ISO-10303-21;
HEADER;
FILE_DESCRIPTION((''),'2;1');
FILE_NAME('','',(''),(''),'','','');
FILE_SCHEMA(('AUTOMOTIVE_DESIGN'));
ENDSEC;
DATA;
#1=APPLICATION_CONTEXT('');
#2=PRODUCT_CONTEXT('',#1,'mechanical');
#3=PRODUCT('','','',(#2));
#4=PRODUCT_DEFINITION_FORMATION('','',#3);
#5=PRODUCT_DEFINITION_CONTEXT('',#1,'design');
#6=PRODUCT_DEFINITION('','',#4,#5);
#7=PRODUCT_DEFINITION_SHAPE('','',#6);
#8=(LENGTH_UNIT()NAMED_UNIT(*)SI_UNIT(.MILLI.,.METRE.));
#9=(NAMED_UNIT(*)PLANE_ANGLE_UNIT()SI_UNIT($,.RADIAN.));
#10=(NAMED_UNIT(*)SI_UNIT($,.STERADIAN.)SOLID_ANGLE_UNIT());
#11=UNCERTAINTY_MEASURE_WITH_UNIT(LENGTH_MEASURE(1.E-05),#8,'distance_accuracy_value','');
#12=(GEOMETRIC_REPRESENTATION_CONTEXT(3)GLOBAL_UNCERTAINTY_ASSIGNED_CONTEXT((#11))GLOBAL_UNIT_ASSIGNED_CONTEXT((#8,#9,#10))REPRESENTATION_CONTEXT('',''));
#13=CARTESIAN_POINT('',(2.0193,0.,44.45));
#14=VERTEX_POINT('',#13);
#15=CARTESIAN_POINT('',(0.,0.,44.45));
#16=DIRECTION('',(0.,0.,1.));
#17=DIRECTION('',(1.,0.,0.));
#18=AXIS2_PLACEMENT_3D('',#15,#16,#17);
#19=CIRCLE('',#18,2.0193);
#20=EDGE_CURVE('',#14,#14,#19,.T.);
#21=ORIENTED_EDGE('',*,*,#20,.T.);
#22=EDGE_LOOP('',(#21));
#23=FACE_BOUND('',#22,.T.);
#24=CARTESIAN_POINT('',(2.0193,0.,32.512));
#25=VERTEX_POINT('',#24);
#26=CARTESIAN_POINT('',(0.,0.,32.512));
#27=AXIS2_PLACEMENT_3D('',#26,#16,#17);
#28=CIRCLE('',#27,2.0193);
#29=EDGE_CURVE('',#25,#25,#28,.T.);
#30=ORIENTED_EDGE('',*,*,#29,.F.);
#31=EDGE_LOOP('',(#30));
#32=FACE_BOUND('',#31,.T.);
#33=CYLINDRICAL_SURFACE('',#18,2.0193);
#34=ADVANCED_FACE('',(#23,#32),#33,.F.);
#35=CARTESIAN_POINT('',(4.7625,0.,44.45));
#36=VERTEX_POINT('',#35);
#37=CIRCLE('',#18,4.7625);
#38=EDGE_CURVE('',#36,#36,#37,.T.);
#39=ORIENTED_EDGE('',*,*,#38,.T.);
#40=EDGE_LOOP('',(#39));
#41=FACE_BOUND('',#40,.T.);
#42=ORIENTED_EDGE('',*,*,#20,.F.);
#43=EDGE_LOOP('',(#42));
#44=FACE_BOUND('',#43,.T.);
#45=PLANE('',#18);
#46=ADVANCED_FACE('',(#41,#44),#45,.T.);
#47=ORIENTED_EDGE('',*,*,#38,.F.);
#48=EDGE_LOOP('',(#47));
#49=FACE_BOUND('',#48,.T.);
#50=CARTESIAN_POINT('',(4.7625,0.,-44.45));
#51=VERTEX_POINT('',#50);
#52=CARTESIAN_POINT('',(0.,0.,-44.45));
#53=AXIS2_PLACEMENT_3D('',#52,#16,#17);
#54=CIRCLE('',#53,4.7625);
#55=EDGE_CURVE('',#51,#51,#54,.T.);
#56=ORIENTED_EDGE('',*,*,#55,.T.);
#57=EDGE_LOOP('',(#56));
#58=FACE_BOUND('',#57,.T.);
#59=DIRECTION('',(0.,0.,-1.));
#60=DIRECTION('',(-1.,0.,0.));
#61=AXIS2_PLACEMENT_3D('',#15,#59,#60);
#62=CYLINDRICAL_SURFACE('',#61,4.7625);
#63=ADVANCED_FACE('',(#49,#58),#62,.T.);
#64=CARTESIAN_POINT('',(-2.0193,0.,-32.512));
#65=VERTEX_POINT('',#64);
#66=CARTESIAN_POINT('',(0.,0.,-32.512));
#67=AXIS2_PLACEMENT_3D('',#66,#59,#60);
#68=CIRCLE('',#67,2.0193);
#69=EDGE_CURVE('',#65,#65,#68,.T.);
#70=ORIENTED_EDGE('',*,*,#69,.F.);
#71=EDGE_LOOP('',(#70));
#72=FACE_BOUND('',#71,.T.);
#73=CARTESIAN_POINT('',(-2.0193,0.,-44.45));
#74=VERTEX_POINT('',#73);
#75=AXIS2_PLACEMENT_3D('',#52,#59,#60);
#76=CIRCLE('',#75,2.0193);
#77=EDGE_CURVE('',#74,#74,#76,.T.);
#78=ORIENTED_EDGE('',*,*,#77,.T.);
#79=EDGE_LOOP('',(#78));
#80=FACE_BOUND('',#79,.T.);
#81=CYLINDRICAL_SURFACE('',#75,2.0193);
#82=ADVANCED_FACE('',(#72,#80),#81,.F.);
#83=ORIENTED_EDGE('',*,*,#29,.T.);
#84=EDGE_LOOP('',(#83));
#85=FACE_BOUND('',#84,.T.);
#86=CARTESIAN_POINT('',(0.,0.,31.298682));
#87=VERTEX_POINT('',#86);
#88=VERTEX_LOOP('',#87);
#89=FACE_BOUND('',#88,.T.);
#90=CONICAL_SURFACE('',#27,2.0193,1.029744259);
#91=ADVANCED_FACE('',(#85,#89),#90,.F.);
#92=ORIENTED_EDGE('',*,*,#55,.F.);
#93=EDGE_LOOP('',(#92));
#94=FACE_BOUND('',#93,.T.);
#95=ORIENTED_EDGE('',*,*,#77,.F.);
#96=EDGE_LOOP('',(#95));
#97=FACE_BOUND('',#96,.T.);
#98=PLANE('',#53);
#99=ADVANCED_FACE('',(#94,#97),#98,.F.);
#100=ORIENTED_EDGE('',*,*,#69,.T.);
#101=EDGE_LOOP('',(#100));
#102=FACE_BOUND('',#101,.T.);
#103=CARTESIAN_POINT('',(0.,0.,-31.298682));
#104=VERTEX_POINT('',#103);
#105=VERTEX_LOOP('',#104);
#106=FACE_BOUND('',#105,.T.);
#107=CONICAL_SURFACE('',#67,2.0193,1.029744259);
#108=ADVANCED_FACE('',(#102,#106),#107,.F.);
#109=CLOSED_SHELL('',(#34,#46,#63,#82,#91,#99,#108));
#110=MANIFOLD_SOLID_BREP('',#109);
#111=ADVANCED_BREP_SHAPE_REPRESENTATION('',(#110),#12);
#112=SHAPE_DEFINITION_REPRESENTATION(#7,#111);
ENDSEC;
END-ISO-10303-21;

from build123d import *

# Parameters (mm, degrees)
SKETCH1_R                            = 4.7625
BOSS_EXTRUDE1_DEPTH                  = 44.45
F_10_32_TAPPED_HOLE1_D               = 4.0386
F_10_32_TAPPED_HOLE1_DEPTH           = 11.938
F_10_32_TAPPED_HOLE1_TIP             = 1.213317848
F_10_32_TAPPED_HOLE1_ON_FACE_2_D     = 4.0386
F_10_32_TAPPED_HOLE1_ON_FACE_2_DEPTH = 11.938
F_10_32_TAPPED_HOLE1_ON_FACE_2_TIP   = 1.213317848


with BuildPart() as part:
    # Sketch1 → Boss-Extrude1 (new, symmetric)
    with BuildSketch(Plane.XY):
        Circle(SKETCH1_R)
    extrude(amount=BOSS_EXTRUDE1_DEPTH, both=True)

    # #10-32 Tapped Hole1
    with Locations(Plane.XY.offset(44.45)):
        with Locations((0, 0)):
            Hole(F_10_32_TAPPED_HOLE1_D / 2, depth=F_10_32_TAPPED_HOLE1_DEPTH)
            with Locations((0, 0, -(F_10_32_TAPPED_HOLE1_DEPTH + F_10_32_TAPPED_HOLE1_TIP / 2))):  # 118° drill point
                Cone(0, F_10_32_TAPPED_HOLE1_D / 2, F_10_32_TAPPED_HOLE1_TIP, mode=Mode.SUBTRACT)

    # #10-32 Tapped Hole1 on face 2
    with Locations(Plane(origin=(0, 0, -44.45), x_dir=(-1, 0, 0), z_dir=(0, 0, -1))):
        with Locations((0, 0)):
            Hole(F_10_32_TAPPED_HOLE1_ON_FACE_2_D / 2, depth=F_10_32_TAPPED_HOLE1_ON_FACE_2_DEPTH)
            with Locations((0, 0, -(F_10_32_TAPPED_HOLE1_ON_FACE_2_DEPTH + F_10_32_TAPPED_HOLE1_ON_FACE_2_TIP / 2))):  # 118° drill point
                Cone(0, F_10_32_TAPPED_HOLE1_ON_FACE_2_D / 2, F_10_32_TAPPED_HOLE1_ON_FACE_2_TIP, mode=Mode.SUBTRACT)


solid = part.part
